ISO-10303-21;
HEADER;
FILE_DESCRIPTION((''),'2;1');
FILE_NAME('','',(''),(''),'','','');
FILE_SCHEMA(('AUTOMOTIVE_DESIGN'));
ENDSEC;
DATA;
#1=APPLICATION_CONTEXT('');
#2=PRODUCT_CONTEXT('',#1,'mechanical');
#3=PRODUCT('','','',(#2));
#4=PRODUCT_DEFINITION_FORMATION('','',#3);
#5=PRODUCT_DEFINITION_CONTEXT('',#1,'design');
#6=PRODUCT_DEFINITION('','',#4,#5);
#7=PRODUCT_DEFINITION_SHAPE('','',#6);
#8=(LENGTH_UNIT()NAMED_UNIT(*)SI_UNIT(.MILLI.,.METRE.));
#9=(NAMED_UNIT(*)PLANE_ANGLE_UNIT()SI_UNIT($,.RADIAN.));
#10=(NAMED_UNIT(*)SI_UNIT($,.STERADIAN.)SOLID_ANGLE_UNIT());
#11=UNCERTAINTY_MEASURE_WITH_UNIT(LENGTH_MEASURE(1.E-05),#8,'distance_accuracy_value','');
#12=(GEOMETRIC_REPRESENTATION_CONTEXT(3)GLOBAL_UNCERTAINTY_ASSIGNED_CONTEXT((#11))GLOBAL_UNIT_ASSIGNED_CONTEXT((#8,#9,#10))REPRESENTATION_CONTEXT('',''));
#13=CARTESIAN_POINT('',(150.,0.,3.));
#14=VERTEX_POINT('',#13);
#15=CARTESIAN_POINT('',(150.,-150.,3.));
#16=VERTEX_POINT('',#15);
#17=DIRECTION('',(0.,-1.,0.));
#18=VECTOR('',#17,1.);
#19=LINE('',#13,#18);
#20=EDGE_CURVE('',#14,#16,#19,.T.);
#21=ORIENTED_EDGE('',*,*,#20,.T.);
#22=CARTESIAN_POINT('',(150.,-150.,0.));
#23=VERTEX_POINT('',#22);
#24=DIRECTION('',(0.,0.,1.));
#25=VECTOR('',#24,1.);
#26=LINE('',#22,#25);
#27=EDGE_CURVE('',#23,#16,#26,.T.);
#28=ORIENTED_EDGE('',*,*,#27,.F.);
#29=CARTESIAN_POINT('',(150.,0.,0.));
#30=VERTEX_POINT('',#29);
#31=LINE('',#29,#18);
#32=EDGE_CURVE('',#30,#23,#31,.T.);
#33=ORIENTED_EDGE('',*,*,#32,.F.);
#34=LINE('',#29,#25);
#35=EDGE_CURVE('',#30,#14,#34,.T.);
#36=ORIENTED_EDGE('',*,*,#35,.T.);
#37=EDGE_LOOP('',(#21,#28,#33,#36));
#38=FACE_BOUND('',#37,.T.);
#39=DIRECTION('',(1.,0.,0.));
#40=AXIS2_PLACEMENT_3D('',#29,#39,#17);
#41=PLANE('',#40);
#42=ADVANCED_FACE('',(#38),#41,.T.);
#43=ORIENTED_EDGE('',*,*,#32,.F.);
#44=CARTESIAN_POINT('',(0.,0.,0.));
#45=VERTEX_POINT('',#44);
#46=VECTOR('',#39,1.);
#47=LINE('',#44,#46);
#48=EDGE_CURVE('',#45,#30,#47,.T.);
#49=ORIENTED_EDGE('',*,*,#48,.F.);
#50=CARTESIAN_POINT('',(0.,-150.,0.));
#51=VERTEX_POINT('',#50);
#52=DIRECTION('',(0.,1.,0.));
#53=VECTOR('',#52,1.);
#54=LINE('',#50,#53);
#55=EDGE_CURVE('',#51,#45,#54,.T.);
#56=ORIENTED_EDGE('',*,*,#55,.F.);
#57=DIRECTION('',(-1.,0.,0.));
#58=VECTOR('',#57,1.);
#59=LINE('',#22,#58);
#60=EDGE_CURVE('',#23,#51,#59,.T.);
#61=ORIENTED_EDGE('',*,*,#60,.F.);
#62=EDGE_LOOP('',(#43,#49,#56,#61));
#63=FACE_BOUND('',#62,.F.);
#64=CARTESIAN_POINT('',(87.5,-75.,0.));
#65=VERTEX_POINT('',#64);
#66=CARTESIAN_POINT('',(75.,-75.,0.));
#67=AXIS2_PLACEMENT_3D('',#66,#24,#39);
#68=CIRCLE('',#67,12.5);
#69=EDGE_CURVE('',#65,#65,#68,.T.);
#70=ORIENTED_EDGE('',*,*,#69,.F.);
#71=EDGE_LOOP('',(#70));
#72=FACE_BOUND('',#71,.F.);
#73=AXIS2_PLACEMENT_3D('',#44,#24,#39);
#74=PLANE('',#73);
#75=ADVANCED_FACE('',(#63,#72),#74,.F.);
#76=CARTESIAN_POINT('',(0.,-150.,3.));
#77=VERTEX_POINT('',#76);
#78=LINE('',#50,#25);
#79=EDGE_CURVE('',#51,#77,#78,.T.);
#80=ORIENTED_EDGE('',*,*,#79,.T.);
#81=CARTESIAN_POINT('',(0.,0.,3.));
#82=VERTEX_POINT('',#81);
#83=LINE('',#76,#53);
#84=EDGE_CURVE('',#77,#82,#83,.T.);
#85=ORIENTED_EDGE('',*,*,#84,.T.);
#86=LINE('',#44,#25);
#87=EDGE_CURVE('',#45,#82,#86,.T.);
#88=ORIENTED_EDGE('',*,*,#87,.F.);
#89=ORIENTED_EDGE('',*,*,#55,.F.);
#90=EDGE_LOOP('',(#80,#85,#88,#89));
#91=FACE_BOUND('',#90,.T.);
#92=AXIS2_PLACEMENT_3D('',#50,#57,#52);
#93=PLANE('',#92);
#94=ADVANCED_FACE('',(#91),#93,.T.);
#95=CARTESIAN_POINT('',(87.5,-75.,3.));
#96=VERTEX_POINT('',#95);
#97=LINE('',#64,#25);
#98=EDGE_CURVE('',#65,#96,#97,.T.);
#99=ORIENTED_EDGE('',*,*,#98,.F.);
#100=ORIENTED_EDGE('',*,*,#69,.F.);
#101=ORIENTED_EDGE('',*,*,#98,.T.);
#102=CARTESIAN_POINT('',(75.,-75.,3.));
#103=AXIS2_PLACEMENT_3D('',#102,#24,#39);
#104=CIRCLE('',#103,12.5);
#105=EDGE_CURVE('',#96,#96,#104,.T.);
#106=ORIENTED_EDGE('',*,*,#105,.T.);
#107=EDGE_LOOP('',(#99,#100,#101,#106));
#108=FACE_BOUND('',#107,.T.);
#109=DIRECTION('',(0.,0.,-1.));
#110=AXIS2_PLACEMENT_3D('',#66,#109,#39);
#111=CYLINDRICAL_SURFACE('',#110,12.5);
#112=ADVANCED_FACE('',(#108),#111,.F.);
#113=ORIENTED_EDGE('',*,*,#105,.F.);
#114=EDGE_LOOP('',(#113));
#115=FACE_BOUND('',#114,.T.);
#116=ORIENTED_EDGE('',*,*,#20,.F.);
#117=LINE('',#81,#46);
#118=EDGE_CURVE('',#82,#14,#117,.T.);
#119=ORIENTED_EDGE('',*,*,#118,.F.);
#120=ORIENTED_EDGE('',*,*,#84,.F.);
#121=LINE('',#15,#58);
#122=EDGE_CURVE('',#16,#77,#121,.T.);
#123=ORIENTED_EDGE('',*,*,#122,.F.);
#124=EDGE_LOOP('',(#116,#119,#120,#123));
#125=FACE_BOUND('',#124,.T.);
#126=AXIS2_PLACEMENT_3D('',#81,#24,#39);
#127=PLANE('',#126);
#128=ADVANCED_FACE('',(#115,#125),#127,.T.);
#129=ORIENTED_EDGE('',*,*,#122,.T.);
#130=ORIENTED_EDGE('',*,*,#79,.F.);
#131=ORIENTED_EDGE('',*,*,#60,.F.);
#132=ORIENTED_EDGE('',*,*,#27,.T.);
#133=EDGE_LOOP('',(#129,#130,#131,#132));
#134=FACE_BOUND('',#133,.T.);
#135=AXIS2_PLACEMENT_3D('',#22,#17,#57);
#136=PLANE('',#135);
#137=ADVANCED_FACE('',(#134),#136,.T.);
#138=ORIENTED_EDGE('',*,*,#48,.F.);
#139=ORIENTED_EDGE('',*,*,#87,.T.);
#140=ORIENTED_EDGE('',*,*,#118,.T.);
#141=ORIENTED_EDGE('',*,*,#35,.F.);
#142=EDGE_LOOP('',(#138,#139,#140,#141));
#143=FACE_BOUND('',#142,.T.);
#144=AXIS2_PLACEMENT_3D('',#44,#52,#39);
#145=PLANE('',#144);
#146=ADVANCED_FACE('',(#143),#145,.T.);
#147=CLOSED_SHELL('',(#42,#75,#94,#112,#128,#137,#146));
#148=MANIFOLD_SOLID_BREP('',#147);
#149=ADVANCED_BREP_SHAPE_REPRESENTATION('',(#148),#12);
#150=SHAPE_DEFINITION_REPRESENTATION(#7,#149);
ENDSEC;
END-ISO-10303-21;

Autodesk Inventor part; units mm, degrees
ref_plane "YZ Plane" through (0, 0, 0) normal (1, 0, 0) x (0, 1, 0)
ref_plane "XZ Plane" through (0, 0, 0) normal (0, 1, 0) x (-1, 0, 0)
ref_plane "XY Plane" through (0, 0, 0) normal (0, 0, 1) x (1, 0, 0)
sketch "Sketch1" plane through (0, 0, 0) normal (0, 0, 1) x (1, 0, 0)
  line L0 (0, 0) -> (150, 0)
  line L1 (150, 0) -> (150, -150)
  line L2 (150, -150) -> (0, -150)
  line L3 (0, -150) -> (0, 0)
  circle A0 centre (75, -75) radius 12.5
  dimension "d0" = 150
  dimension "d1" = 150
  dimension "d2" = 25
  dimension "d3" = 75
  dimension "d4" = 75
extrude "Extrusion1" add sketch "Sketch1" along normal blind 3
ref_plane "Work Plane3" through (0, -75, 0) normal (0, 1, 0) x (1, 0, 0)
ref_plane "Work Plane4" through (75, -150, 0) normal (1, 0, 0) x (0, 0, -1)
properties part number "box" material "ABS Plastic"
